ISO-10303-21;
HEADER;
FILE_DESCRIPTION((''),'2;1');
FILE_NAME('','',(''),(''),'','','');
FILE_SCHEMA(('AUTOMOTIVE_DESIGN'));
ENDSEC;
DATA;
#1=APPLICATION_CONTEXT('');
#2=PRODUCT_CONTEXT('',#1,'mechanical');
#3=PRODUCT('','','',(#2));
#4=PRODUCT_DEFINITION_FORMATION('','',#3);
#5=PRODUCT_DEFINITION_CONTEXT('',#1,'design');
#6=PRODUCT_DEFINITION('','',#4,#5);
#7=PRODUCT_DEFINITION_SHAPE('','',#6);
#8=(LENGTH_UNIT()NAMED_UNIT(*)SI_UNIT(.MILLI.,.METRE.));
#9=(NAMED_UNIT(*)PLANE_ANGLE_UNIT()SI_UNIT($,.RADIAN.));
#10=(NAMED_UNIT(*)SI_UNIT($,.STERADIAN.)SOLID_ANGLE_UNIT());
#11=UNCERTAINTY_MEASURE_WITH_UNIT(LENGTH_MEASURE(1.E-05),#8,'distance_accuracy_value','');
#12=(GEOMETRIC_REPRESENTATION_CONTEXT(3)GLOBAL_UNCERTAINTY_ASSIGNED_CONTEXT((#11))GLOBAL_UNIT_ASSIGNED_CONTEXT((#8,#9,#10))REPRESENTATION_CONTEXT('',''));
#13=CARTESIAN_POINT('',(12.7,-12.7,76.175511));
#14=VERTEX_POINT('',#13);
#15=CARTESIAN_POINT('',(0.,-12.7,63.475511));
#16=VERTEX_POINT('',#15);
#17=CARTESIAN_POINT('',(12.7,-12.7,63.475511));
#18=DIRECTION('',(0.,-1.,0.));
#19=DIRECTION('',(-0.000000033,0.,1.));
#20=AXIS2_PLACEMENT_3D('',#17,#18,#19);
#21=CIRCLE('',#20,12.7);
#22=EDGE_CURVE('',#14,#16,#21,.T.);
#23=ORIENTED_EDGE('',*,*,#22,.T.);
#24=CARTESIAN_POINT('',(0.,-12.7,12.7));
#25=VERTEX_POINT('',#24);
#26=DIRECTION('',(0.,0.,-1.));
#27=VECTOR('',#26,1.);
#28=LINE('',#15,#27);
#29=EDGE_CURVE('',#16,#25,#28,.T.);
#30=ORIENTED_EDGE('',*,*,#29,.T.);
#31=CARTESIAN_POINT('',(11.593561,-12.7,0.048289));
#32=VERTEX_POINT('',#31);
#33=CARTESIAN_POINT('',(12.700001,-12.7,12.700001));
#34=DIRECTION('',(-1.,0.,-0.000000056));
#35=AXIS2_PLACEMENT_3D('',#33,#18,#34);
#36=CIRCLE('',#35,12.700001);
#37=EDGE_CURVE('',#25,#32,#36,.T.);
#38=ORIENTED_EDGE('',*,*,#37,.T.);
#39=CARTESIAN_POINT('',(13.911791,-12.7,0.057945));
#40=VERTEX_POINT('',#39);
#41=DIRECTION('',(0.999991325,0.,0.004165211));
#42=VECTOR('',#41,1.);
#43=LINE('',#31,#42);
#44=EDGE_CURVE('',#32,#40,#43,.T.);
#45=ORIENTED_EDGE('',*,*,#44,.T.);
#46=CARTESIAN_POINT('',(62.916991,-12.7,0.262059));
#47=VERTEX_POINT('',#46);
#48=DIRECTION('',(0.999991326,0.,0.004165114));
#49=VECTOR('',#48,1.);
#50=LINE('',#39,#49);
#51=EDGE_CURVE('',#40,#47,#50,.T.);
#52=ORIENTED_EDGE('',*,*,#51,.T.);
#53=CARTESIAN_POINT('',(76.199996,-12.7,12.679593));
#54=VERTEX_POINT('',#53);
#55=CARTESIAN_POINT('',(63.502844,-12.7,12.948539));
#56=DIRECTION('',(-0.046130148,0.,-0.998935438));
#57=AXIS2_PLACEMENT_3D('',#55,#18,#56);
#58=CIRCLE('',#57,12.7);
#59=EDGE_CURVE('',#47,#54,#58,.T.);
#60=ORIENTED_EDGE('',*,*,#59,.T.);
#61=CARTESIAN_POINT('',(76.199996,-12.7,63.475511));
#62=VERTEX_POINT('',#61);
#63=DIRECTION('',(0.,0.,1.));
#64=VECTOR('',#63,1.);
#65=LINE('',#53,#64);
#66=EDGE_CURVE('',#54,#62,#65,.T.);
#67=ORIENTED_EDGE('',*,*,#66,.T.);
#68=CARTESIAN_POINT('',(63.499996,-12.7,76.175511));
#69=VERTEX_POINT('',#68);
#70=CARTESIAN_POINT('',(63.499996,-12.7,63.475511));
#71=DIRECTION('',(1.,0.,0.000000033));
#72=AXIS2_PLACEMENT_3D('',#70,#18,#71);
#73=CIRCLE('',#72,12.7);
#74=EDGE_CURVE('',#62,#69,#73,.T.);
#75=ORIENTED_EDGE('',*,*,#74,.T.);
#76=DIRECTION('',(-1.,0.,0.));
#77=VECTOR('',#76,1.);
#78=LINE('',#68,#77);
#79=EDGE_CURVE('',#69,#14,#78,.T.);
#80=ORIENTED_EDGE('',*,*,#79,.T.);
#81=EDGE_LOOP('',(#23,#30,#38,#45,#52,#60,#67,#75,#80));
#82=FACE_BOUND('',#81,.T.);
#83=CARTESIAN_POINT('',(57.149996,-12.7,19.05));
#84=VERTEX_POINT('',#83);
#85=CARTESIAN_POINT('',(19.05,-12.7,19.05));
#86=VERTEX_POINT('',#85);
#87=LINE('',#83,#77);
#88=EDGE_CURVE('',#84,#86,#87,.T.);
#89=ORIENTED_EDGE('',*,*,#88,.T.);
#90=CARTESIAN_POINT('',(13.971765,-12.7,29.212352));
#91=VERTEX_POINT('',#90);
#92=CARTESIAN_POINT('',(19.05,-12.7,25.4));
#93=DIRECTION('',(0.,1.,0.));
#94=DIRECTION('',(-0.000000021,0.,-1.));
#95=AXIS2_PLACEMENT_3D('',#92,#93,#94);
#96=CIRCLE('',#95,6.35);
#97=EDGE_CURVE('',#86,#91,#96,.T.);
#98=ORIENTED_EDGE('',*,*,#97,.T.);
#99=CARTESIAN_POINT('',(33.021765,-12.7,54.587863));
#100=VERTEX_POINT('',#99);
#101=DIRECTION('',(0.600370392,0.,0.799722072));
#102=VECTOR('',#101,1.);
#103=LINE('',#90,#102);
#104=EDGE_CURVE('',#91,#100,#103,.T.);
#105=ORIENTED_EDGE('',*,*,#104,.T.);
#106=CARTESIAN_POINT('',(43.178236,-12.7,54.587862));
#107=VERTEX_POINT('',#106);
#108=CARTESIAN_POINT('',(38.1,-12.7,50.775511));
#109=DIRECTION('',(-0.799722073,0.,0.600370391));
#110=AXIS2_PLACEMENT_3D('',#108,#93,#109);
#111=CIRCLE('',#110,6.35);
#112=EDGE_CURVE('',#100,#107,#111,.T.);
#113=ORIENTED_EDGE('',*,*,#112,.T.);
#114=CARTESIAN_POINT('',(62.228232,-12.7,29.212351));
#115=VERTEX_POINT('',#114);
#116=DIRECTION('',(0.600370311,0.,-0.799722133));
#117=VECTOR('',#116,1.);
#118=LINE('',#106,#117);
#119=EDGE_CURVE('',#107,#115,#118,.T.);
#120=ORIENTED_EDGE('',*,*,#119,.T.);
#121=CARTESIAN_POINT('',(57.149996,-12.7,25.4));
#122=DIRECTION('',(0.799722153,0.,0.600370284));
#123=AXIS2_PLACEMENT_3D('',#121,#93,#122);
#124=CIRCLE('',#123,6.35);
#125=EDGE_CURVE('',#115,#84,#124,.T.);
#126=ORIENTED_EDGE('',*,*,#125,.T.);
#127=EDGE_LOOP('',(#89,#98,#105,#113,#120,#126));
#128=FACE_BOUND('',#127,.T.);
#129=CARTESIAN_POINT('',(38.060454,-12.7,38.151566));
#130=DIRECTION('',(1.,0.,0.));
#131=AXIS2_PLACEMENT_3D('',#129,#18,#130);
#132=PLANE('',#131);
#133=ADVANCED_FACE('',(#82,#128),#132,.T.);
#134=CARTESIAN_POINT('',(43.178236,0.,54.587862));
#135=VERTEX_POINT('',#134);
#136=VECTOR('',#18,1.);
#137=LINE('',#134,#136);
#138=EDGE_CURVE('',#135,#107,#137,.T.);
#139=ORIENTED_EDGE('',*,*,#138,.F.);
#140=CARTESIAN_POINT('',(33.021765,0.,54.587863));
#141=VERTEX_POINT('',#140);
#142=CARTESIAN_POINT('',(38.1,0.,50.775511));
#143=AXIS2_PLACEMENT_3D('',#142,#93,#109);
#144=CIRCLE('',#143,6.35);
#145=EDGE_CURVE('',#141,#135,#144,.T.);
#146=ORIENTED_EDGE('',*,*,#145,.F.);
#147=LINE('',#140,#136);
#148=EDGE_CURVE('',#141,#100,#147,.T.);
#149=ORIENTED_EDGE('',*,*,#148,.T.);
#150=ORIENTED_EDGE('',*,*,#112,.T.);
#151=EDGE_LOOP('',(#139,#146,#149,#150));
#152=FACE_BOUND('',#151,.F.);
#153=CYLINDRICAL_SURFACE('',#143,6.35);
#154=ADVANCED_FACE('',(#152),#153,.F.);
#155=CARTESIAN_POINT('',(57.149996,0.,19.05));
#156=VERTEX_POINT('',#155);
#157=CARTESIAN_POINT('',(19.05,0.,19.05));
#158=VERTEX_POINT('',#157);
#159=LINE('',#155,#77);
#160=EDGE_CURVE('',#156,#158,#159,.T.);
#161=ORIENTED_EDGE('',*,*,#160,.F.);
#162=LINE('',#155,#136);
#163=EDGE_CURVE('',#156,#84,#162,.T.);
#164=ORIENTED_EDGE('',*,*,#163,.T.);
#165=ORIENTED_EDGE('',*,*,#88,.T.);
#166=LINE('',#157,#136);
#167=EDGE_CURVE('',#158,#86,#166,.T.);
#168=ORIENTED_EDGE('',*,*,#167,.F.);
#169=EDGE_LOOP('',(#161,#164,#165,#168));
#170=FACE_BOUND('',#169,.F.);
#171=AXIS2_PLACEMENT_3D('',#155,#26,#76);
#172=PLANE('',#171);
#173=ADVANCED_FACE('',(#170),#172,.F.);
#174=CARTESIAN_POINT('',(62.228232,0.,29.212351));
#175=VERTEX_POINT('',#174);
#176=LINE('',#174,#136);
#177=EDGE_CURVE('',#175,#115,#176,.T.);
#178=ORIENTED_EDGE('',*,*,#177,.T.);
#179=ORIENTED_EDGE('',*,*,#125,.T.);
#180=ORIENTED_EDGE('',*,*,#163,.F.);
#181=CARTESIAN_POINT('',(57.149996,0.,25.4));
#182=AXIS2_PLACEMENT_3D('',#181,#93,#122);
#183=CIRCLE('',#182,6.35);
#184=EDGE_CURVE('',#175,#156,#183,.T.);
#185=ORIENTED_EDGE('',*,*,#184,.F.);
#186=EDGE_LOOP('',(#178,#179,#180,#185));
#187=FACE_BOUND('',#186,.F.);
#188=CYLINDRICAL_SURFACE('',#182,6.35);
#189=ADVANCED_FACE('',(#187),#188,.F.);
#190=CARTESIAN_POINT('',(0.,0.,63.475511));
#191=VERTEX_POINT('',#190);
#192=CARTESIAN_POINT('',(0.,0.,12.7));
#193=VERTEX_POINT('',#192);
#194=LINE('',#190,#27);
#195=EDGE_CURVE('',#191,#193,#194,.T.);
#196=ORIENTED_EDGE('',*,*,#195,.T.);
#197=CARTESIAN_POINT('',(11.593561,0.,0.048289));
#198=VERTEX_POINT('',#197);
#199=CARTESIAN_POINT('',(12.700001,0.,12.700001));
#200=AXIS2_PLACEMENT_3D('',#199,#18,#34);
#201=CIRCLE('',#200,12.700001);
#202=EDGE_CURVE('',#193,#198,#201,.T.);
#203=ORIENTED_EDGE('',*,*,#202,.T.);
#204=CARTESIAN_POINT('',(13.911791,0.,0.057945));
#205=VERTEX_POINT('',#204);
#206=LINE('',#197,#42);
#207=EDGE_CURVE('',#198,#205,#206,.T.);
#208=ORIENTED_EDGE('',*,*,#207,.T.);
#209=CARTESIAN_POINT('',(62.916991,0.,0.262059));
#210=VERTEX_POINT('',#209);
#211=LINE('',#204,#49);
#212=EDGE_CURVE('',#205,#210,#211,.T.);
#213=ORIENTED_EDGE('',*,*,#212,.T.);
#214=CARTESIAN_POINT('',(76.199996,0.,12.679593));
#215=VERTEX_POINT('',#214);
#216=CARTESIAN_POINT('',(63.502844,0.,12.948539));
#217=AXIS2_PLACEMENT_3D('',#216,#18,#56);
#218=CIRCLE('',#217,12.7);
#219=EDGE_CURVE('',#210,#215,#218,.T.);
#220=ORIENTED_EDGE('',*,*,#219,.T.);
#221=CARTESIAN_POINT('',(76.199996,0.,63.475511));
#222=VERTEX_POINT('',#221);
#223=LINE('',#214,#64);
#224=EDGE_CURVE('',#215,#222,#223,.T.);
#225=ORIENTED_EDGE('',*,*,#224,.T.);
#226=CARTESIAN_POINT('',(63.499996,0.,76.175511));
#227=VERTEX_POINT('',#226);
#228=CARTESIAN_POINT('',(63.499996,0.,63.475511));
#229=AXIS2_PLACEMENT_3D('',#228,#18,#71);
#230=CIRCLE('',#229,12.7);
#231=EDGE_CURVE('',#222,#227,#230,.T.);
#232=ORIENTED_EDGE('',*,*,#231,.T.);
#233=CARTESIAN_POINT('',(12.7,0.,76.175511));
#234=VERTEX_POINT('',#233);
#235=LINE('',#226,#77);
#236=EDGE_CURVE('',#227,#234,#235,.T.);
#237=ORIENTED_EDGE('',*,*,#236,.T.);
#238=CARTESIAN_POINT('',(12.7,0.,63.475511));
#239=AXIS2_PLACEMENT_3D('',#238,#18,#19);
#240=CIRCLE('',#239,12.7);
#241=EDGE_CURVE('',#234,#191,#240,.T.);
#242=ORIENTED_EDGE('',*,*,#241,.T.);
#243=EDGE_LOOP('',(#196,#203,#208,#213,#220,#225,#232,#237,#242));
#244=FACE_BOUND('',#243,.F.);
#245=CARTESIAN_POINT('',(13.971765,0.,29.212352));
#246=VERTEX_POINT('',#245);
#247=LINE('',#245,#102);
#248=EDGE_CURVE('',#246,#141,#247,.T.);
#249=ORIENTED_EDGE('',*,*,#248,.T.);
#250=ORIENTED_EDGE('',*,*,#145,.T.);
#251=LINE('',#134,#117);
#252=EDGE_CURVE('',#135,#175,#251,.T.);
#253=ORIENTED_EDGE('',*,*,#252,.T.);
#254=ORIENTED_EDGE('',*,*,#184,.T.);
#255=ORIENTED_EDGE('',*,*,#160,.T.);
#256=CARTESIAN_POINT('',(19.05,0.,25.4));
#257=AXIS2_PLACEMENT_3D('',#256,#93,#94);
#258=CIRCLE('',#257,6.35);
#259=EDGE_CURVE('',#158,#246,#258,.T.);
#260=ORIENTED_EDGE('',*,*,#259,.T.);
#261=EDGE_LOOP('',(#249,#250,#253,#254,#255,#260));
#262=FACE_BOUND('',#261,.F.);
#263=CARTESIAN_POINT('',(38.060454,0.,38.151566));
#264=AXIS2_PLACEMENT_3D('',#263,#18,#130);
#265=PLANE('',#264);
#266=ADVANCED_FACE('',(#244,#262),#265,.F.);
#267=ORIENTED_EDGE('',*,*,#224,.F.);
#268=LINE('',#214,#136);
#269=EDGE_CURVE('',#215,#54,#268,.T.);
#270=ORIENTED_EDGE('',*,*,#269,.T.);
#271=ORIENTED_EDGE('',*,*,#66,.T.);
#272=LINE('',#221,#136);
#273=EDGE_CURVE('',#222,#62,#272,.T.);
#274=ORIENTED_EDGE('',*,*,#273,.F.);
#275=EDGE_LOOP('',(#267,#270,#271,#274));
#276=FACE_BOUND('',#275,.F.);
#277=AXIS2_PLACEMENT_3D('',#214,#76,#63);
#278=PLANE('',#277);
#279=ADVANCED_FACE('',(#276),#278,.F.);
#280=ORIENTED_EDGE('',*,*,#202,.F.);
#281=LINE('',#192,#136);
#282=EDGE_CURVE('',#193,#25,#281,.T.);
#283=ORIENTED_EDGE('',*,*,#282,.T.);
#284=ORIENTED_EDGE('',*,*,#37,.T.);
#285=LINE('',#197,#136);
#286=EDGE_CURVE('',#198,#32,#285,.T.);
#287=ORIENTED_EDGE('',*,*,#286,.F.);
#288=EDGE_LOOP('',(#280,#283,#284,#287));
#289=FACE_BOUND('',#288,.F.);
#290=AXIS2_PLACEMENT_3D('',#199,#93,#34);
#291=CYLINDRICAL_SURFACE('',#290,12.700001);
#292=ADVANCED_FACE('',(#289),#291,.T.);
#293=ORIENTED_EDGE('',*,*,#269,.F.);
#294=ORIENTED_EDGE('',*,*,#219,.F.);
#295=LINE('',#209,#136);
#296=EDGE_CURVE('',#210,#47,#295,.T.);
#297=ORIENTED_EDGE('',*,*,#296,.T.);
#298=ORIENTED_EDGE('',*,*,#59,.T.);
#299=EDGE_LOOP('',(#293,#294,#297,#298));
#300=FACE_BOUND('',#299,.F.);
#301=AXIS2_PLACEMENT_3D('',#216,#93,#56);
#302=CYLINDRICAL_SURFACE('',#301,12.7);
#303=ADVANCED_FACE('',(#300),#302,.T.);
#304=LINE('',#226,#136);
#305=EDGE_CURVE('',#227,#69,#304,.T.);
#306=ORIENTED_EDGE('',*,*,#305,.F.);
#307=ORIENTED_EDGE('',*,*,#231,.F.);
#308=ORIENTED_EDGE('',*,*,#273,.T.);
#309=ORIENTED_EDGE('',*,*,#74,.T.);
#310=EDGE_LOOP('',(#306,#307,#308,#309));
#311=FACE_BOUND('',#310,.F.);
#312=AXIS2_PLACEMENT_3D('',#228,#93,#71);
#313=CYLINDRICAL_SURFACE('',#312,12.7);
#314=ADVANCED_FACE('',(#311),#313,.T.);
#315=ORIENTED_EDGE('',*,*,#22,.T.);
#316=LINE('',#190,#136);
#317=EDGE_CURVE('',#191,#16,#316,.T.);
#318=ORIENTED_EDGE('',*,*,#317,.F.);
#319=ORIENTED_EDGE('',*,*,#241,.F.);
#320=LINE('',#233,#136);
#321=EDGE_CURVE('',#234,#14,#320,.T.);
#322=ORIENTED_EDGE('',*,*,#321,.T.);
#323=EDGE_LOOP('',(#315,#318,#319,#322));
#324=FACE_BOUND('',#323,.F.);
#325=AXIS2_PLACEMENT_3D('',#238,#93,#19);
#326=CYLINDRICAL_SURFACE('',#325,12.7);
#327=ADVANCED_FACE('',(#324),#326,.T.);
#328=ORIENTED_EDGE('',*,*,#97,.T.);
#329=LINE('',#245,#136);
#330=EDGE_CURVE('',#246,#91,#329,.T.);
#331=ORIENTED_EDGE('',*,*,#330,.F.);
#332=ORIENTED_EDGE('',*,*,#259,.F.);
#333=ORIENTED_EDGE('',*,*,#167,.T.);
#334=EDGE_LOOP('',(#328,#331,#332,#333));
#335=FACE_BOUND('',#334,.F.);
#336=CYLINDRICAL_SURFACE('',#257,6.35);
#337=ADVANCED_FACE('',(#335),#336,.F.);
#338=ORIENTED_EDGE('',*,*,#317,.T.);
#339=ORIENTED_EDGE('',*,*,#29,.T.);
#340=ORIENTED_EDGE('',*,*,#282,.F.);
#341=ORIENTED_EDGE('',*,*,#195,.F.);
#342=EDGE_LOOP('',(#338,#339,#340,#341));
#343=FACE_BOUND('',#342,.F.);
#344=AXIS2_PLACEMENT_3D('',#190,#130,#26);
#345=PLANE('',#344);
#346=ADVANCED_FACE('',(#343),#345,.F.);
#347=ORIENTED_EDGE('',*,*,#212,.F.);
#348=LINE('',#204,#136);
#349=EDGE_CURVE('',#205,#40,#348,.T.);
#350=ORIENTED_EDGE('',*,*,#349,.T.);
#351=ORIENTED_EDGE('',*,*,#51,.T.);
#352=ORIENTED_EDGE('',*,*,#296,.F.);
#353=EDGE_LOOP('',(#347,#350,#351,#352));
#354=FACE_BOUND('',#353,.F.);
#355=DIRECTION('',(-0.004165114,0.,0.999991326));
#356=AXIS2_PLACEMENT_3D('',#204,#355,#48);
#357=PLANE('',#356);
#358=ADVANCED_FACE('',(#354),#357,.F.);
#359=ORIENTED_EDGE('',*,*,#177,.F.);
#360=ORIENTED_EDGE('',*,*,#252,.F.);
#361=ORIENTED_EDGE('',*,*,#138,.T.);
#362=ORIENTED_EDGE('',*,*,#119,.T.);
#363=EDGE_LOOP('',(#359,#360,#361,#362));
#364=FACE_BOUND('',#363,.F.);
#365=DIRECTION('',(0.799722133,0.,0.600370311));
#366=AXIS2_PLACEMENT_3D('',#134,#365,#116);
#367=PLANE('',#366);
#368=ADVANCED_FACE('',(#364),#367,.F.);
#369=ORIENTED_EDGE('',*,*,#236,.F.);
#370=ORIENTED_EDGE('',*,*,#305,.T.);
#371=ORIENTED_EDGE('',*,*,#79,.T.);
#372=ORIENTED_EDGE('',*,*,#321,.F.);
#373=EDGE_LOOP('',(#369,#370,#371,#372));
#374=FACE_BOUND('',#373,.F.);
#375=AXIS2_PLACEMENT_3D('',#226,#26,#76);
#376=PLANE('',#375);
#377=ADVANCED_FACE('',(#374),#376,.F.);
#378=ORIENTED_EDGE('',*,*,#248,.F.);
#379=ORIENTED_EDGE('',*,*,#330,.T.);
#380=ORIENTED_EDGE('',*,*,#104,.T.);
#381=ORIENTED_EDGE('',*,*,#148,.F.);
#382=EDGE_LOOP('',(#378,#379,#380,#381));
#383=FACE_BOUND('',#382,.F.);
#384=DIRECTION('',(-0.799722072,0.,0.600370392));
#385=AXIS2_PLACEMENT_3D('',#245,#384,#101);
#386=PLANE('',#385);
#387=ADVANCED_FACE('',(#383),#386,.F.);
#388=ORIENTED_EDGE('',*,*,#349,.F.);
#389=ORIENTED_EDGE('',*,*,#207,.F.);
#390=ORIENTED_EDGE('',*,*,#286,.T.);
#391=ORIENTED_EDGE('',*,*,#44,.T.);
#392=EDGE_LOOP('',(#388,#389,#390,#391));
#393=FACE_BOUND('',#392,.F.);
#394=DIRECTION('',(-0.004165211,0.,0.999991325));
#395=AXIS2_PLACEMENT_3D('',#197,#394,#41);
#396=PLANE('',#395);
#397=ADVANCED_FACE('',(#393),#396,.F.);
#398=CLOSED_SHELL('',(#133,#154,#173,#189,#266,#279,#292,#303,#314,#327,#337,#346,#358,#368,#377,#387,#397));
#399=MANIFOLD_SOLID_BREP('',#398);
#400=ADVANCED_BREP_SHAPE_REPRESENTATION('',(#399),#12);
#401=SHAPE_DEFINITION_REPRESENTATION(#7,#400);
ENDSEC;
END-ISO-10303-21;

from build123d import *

# Parameters (mm, degrees)
F1_DEPTH = 12.7


with BuildPart() as f1:
    # F0 (on Front) → F1 (new body)
    with BuildSketch(Plane.XZ):
        with BuildLine():
            ThreePointArc((62.916991, 0.262059), (72.175772, 3.67113), (76.199996, 12.679593))
            Line((76.199996, 12.679593), (76.199996, 63.475511))
            ThreePointArc((76.199996, 63.475511), (72.480252, 72.455767), (63.499996, 76.175511))
            Line((63.499996, 76.175511), (12.7, 76.175511))
            ThreePointArc((12.7, 76.175511), (3.719744, 72.455767), (0, 63.475511))
            Line((0, 63.475511), (0, 12.7))
            ThreePointArc((0, 12.7), (3.336727, 4.119842), (11.593561, 0.048289))
            Line((11.593561, 0.048289), (13.911791, 0.057945))
            Line((13.911791, 0.057945), (62.916991, 0.262059))
        make_face()
        with BuildLine():
            ThreePointArc((19.05, 19.05), (13.36973, 22.561509), (13.971765, 29.212352))
            Line((13.971765, 29.212352), (33.021765, 54.587863))
            ThreePointArc((33.021765, 54.587863), (38.1, 57.125511), (43.178236, 54.587862))
            Line((43.178236, 54.587862), (62.228232, 29.212351))
            ThreePointArc((62.228232, 29.212351), (62.830266, 22.561508), (57.149996, 19.05))
            Line((57.149996, 19.05), (19.05, 19.05))
        make_face(mode=Mode.SUBTRACT)
    extrude(amount=F1_DEPTH)


solid = f1.part
